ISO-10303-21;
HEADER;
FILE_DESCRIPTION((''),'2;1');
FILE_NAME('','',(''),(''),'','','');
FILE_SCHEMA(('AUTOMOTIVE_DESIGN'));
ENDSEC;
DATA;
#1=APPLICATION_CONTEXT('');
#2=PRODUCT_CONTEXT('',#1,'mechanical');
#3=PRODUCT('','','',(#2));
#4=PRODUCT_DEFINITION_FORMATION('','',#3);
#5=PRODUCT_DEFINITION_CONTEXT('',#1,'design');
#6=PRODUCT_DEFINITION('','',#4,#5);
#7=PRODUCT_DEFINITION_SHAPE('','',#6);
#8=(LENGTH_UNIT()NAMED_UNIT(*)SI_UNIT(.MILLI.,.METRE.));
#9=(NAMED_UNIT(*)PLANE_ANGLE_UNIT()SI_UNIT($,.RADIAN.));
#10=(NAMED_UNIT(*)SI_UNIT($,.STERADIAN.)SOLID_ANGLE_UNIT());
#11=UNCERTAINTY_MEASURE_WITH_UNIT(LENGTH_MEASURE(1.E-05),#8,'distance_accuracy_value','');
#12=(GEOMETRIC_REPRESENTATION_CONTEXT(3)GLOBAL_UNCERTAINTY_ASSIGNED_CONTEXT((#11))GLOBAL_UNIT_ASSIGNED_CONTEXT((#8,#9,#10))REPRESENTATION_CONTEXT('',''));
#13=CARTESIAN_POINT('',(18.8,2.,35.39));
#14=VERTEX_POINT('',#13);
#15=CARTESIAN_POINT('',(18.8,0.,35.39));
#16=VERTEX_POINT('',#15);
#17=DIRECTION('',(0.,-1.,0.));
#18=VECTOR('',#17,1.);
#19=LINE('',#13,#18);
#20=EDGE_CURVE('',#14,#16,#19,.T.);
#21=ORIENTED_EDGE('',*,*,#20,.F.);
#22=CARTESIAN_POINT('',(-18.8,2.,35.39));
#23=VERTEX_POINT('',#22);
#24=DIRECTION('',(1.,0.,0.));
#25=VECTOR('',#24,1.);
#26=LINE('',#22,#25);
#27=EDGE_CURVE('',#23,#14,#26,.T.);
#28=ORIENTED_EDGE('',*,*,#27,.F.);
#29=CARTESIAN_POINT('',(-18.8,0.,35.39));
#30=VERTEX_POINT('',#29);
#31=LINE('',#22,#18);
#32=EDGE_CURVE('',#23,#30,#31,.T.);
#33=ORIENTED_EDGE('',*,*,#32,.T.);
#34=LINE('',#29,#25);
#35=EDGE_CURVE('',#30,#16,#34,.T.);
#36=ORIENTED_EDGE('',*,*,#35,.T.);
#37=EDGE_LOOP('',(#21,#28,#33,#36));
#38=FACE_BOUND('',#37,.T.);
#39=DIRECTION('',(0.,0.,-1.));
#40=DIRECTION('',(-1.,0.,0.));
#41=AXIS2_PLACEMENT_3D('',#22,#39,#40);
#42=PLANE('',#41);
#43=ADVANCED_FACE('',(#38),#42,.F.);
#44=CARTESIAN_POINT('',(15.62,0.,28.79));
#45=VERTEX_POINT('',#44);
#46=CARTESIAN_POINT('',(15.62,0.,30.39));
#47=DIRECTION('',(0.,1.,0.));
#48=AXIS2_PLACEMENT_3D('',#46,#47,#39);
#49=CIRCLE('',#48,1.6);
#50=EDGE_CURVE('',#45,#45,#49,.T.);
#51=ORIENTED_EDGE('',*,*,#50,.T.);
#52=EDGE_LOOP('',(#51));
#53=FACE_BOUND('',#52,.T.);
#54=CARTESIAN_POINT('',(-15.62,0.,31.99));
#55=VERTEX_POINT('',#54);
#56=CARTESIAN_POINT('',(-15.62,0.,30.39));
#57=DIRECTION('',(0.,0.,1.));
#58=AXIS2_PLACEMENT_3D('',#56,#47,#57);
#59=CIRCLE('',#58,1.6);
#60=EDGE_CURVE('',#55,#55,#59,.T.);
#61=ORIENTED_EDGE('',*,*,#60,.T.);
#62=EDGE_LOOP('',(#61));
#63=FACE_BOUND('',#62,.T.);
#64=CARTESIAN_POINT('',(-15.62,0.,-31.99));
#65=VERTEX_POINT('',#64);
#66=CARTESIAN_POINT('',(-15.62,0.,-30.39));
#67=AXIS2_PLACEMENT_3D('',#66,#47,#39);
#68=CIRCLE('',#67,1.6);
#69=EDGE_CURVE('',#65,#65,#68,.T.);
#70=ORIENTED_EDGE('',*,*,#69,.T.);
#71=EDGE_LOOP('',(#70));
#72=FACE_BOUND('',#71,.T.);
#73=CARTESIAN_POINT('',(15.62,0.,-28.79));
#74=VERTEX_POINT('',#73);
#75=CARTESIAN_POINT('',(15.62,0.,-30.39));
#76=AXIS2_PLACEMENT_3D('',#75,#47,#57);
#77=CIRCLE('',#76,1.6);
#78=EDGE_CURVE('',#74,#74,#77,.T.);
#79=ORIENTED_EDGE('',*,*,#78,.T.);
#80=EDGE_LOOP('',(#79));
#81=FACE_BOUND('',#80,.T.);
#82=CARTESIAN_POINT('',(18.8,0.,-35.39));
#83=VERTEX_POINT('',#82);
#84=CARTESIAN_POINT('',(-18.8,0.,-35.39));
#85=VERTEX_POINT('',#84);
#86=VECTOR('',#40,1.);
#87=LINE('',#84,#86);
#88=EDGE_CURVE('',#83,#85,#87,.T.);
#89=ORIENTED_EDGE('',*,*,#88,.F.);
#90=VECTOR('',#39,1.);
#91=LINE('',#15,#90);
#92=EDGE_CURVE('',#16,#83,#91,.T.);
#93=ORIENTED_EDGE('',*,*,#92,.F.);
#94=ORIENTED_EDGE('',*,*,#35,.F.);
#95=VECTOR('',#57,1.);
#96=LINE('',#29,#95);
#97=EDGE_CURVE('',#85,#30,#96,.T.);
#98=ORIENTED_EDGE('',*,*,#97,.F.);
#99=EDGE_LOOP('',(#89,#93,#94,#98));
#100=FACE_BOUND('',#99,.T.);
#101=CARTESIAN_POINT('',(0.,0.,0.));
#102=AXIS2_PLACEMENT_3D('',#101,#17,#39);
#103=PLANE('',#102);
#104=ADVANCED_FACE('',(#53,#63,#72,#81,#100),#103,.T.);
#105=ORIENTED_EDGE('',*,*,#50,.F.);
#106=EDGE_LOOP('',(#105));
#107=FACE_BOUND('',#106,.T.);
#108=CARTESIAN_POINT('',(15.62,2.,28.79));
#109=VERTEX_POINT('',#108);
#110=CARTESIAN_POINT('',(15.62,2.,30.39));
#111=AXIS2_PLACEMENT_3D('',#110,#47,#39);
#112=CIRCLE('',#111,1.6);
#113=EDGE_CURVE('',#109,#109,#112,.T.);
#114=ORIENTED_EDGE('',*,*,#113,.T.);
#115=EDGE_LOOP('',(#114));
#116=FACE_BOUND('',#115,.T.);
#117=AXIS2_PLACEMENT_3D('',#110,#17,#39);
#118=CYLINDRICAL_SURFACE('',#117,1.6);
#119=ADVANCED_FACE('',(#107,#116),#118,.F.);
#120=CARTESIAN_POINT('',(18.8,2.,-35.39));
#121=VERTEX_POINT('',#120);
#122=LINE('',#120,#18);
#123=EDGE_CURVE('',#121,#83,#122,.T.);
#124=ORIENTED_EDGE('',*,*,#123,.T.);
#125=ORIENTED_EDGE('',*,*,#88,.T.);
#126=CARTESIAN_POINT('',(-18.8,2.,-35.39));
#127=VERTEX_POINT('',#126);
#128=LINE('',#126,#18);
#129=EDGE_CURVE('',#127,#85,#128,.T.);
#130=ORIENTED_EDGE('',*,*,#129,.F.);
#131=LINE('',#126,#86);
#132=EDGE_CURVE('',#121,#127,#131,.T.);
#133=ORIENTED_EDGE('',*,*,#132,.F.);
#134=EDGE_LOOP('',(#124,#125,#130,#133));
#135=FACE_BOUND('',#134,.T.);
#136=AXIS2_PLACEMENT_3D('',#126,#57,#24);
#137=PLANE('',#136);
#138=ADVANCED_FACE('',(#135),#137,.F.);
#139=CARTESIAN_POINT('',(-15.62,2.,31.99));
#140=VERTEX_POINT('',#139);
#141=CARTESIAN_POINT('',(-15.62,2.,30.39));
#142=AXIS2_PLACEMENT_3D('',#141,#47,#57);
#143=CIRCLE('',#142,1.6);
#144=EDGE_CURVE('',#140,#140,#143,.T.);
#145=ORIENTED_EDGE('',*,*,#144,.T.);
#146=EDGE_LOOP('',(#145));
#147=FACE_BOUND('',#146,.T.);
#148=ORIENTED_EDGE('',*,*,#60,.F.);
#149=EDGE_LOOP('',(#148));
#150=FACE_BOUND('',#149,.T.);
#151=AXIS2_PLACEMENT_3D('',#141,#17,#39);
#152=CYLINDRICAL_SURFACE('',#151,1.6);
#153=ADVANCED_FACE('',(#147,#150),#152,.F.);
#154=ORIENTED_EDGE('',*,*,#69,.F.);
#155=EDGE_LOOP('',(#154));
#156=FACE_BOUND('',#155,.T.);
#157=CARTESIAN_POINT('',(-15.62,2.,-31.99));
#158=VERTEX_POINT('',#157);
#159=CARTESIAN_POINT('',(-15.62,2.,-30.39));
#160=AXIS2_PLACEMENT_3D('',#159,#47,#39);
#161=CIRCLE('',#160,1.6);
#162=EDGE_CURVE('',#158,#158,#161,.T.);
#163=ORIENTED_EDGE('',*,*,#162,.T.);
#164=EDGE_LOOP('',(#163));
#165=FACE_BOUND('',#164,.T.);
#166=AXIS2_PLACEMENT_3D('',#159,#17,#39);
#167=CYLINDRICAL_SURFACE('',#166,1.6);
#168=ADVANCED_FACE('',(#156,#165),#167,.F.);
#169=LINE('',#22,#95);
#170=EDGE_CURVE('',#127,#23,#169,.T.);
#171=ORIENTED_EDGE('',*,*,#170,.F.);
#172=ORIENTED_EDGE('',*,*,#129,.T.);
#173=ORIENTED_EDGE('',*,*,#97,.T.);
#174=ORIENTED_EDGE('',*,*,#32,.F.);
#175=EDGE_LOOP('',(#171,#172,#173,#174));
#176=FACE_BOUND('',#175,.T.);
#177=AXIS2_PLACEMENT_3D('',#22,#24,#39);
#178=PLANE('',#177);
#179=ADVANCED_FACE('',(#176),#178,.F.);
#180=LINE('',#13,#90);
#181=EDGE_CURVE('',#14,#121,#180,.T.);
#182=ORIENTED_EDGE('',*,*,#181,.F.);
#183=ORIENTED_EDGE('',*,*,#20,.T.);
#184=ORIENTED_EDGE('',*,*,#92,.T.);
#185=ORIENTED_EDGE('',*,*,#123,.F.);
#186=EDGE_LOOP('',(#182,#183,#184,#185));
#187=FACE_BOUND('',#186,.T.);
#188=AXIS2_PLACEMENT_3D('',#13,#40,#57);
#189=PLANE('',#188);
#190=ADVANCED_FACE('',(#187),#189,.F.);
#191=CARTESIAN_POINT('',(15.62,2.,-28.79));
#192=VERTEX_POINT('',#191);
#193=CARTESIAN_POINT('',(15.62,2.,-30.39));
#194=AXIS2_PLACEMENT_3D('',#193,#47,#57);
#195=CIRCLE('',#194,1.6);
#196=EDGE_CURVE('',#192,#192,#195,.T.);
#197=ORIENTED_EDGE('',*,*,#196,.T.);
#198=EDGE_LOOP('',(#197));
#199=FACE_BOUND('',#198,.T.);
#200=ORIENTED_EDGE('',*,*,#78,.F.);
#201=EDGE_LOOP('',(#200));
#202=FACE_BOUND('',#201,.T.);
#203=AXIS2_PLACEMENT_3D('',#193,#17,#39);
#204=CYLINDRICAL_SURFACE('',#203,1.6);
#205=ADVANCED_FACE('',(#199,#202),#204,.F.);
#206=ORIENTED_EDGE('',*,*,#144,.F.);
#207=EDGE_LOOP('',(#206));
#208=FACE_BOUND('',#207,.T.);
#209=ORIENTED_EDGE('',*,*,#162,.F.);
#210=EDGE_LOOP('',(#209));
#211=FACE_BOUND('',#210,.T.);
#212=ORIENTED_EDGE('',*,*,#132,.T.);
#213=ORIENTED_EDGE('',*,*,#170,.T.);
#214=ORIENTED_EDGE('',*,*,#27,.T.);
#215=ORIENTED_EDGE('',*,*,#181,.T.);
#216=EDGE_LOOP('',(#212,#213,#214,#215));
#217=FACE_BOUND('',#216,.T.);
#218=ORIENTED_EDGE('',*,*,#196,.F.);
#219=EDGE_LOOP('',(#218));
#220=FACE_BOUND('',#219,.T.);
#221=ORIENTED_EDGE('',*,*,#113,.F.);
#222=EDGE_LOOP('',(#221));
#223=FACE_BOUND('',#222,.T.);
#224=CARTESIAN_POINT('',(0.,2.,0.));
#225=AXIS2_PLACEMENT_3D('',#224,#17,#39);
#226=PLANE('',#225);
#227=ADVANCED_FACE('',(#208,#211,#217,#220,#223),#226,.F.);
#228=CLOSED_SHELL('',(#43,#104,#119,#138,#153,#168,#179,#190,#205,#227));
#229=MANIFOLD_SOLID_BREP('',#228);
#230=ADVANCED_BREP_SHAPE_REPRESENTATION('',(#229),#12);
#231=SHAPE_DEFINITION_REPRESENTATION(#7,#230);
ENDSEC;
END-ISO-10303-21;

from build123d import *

# Parameters (mm, degrees)
SKETCH1_W           = 37.6
SKETCH1_H           = 70.78
SKETCH1_R           = 1.6
BOSS_EXTRUDE1_DEPTH = 2


with BuildPart() as part:
    # Sketch1 → Boss-Extrude1 (new body)
    with BuildSketch(Plane(origin=(0, 0, 0), x_dir=(1, 0, 0), z_dir=(0, 1, 0))):
        Rectangle(SKETCH1_W, SKETCH1_H)
        with Locations((15.62, 30.39)):
            Circle(SKETCH1_R, mode=Mode.SUBTRACT)
        with Locations((15.62, -30.39)):
            Circle(SKETCH1_R, mode=Mode.SUBTRACT)
        with Locations((-15.62, -30.39)):
            Circle(SKETCH1_R, mode=Mode.SUBTRACT)
        with Locations((-15.62, 30.39)):
            Circle(SKETCH1_R, mode=Mode.SUBTRACT)
    extrude(amount=BOSS_EXTRUDE1_DEPTH)


solid = part.part
